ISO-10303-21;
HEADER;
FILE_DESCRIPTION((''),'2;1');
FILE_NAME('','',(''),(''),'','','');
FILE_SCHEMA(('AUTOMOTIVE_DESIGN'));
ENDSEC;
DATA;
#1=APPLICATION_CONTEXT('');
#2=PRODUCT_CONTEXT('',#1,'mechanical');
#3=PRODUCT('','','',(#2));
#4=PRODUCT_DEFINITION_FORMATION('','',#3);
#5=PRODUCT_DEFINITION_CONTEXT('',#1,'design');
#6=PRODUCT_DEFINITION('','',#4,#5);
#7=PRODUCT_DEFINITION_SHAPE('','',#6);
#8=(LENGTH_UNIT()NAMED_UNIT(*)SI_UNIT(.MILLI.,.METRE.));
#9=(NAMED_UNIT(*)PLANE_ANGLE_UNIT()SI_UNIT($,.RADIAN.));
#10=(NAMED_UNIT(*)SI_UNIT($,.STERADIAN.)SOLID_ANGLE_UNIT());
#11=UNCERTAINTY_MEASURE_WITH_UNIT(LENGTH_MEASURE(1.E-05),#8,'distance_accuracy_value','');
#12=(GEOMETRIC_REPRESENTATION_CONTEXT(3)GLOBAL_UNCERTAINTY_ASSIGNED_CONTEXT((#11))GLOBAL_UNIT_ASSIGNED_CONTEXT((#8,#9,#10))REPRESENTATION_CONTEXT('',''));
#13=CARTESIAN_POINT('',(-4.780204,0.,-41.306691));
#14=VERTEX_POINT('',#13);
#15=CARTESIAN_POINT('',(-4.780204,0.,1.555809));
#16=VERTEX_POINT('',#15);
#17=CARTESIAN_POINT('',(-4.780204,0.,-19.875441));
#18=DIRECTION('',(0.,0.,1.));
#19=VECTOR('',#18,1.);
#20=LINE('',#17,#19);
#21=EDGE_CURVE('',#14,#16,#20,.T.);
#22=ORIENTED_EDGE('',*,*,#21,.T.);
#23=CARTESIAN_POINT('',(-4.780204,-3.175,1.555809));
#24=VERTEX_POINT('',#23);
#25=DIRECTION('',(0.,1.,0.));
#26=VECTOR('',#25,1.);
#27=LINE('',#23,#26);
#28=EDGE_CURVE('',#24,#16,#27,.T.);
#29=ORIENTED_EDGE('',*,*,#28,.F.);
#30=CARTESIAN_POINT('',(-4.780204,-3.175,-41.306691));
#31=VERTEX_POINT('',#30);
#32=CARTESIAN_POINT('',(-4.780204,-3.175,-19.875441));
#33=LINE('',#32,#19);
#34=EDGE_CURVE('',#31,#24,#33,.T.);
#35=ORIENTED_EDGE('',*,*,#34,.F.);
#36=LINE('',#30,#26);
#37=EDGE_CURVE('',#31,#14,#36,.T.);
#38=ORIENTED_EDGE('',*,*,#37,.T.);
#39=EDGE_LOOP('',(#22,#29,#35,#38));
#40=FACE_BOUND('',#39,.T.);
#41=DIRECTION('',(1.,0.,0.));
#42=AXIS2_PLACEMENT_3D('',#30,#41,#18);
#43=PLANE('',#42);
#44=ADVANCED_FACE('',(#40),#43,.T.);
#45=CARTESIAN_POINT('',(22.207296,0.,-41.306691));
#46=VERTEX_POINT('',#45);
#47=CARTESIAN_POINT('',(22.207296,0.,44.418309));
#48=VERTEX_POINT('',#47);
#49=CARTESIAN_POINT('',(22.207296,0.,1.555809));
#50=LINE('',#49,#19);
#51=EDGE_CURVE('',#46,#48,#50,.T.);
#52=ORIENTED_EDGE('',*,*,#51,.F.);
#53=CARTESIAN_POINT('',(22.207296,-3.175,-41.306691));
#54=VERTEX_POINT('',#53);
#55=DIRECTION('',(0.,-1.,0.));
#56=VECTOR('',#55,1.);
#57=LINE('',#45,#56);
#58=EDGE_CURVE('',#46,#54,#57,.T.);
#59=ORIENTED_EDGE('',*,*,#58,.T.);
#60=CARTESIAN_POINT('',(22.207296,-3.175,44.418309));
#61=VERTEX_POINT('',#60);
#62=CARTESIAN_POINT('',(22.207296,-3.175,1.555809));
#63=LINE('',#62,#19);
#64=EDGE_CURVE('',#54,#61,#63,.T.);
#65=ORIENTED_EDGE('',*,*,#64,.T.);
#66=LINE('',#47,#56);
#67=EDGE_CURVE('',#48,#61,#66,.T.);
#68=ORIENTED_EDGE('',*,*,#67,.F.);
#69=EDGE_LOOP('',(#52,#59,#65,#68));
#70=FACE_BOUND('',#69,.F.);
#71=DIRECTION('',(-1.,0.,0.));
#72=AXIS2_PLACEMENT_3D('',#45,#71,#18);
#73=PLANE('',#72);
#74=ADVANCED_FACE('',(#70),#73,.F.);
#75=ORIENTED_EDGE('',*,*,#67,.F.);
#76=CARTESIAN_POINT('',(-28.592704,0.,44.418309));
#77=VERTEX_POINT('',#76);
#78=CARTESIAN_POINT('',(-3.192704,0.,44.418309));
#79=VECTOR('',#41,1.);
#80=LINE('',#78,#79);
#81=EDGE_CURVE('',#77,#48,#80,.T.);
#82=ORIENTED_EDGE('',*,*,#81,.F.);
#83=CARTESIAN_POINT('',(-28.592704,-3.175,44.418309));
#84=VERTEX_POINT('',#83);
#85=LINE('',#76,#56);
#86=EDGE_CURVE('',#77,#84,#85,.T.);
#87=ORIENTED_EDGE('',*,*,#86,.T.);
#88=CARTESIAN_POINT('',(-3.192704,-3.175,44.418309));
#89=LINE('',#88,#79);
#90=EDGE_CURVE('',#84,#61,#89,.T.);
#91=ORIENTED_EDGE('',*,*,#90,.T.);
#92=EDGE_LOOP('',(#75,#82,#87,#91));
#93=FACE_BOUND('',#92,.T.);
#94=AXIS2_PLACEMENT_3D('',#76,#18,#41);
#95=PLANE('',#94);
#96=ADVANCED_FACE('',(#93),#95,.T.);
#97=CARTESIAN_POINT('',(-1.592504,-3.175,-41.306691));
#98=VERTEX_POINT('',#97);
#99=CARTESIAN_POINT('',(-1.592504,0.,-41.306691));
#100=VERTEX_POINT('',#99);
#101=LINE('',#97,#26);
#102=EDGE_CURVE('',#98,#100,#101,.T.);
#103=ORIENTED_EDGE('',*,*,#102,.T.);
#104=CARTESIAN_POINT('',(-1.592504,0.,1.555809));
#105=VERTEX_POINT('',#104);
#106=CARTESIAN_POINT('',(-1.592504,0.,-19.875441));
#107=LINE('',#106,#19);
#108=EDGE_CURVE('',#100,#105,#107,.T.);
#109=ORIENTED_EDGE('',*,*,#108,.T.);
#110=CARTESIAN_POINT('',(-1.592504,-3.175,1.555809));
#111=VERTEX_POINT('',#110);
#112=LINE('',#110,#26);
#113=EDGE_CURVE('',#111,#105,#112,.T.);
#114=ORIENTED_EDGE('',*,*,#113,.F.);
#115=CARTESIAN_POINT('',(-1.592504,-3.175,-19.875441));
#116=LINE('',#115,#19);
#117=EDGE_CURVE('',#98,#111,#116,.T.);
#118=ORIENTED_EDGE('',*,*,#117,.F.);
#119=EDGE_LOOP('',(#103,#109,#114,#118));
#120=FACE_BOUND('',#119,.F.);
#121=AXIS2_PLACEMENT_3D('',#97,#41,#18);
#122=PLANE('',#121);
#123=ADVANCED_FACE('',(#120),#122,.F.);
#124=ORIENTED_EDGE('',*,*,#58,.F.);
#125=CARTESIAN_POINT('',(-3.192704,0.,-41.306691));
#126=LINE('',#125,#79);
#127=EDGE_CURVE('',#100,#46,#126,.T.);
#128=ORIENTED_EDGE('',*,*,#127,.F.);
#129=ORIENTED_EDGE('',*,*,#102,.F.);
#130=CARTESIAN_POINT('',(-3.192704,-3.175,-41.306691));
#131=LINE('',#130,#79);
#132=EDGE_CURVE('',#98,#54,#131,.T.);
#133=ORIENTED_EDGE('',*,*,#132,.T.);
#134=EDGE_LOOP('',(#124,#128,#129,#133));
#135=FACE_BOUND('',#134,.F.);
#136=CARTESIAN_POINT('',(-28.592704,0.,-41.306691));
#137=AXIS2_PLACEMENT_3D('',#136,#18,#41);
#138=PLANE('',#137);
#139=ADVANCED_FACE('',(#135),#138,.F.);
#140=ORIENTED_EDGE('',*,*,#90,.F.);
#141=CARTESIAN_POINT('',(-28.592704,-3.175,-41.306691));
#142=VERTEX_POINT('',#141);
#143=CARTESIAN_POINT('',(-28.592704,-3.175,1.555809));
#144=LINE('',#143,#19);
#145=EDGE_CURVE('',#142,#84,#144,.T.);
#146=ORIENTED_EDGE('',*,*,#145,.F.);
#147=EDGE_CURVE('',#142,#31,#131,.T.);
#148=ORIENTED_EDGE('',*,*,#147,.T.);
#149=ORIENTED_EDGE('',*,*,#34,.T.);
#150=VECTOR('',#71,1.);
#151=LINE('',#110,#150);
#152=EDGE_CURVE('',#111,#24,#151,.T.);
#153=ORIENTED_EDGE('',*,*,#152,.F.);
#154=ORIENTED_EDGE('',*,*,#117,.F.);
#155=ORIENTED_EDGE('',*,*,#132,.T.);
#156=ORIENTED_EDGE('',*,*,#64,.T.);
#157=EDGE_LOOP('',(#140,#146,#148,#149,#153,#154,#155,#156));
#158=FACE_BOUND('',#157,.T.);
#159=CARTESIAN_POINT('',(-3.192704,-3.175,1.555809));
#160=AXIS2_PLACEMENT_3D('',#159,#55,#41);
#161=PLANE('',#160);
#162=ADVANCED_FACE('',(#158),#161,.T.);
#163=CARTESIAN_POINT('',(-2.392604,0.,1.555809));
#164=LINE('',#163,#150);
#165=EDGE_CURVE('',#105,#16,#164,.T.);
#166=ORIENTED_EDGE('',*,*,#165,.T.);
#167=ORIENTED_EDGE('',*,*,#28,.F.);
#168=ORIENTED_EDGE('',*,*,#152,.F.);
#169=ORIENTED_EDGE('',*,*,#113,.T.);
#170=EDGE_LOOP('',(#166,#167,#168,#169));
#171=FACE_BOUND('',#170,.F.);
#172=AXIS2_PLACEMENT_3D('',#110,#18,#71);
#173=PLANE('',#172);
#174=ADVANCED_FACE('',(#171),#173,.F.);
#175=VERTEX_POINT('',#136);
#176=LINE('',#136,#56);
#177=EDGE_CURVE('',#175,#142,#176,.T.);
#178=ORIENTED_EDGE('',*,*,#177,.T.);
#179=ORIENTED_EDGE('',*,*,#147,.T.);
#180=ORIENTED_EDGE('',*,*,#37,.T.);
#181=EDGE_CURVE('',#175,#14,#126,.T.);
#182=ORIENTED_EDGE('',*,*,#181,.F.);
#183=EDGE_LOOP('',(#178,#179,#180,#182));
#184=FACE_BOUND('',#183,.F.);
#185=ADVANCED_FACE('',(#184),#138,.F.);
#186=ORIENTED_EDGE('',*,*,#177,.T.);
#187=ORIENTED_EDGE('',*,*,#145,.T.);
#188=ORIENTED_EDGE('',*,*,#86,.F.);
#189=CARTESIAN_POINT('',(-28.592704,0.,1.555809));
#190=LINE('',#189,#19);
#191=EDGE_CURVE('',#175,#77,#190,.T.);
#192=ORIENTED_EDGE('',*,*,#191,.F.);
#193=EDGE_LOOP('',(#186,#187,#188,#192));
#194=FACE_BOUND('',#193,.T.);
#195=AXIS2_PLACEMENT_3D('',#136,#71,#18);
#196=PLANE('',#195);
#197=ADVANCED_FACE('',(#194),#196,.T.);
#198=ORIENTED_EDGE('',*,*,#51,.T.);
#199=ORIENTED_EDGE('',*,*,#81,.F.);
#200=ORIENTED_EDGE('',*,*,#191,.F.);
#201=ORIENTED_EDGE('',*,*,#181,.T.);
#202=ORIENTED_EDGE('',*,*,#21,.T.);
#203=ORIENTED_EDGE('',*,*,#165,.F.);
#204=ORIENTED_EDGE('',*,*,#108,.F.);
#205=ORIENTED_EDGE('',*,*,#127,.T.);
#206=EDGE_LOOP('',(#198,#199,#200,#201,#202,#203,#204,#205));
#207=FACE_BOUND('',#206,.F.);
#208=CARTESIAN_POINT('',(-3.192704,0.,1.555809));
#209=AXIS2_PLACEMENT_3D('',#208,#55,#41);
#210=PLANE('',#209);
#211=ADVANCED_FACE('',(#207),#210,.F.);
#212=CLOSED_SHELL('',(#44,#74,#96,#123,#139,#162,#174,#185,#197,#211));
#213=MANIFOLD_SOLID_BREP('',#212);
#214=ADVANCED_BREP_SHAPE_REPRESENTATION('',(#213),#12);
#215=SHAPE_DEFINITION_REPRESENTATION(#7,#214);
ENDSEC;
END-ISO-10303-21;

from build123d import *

# Parameters (mm, degrees)
F0_W     = 50.8
F0_H     = 85.725
F1_DEPTH = 3.175
F2_W     = 1.5875
F2_H     = 42.8625
F2_W_2   = 1.6002
F3_DEPTH = 3.176


with BuildPart() as f1:
    # F0 (on Front) → F1 (new body)
    with BuildSketch(Plane.XZ):
        with Locations((-3.192704, 1.555809)):
            Rectangle(F0_W, F0_H)
    extrude(amount=F1_DEPTH)

    # F2 (on face) → F3 (cut, through all)
    with BuildSketch(Plane.XZ.offset(3.175)):
        with Locations((-3.986454, -19.875441)):
            Rectangle(F2_W, F2_H)
        with Locations((-2.392604, -19.875441)):
            Rectangle(F2_W_2, F2_H)
    extrude(amount=-F3_DEPTH, mode=Mode.SUBTRACT)


solid = f1.part
